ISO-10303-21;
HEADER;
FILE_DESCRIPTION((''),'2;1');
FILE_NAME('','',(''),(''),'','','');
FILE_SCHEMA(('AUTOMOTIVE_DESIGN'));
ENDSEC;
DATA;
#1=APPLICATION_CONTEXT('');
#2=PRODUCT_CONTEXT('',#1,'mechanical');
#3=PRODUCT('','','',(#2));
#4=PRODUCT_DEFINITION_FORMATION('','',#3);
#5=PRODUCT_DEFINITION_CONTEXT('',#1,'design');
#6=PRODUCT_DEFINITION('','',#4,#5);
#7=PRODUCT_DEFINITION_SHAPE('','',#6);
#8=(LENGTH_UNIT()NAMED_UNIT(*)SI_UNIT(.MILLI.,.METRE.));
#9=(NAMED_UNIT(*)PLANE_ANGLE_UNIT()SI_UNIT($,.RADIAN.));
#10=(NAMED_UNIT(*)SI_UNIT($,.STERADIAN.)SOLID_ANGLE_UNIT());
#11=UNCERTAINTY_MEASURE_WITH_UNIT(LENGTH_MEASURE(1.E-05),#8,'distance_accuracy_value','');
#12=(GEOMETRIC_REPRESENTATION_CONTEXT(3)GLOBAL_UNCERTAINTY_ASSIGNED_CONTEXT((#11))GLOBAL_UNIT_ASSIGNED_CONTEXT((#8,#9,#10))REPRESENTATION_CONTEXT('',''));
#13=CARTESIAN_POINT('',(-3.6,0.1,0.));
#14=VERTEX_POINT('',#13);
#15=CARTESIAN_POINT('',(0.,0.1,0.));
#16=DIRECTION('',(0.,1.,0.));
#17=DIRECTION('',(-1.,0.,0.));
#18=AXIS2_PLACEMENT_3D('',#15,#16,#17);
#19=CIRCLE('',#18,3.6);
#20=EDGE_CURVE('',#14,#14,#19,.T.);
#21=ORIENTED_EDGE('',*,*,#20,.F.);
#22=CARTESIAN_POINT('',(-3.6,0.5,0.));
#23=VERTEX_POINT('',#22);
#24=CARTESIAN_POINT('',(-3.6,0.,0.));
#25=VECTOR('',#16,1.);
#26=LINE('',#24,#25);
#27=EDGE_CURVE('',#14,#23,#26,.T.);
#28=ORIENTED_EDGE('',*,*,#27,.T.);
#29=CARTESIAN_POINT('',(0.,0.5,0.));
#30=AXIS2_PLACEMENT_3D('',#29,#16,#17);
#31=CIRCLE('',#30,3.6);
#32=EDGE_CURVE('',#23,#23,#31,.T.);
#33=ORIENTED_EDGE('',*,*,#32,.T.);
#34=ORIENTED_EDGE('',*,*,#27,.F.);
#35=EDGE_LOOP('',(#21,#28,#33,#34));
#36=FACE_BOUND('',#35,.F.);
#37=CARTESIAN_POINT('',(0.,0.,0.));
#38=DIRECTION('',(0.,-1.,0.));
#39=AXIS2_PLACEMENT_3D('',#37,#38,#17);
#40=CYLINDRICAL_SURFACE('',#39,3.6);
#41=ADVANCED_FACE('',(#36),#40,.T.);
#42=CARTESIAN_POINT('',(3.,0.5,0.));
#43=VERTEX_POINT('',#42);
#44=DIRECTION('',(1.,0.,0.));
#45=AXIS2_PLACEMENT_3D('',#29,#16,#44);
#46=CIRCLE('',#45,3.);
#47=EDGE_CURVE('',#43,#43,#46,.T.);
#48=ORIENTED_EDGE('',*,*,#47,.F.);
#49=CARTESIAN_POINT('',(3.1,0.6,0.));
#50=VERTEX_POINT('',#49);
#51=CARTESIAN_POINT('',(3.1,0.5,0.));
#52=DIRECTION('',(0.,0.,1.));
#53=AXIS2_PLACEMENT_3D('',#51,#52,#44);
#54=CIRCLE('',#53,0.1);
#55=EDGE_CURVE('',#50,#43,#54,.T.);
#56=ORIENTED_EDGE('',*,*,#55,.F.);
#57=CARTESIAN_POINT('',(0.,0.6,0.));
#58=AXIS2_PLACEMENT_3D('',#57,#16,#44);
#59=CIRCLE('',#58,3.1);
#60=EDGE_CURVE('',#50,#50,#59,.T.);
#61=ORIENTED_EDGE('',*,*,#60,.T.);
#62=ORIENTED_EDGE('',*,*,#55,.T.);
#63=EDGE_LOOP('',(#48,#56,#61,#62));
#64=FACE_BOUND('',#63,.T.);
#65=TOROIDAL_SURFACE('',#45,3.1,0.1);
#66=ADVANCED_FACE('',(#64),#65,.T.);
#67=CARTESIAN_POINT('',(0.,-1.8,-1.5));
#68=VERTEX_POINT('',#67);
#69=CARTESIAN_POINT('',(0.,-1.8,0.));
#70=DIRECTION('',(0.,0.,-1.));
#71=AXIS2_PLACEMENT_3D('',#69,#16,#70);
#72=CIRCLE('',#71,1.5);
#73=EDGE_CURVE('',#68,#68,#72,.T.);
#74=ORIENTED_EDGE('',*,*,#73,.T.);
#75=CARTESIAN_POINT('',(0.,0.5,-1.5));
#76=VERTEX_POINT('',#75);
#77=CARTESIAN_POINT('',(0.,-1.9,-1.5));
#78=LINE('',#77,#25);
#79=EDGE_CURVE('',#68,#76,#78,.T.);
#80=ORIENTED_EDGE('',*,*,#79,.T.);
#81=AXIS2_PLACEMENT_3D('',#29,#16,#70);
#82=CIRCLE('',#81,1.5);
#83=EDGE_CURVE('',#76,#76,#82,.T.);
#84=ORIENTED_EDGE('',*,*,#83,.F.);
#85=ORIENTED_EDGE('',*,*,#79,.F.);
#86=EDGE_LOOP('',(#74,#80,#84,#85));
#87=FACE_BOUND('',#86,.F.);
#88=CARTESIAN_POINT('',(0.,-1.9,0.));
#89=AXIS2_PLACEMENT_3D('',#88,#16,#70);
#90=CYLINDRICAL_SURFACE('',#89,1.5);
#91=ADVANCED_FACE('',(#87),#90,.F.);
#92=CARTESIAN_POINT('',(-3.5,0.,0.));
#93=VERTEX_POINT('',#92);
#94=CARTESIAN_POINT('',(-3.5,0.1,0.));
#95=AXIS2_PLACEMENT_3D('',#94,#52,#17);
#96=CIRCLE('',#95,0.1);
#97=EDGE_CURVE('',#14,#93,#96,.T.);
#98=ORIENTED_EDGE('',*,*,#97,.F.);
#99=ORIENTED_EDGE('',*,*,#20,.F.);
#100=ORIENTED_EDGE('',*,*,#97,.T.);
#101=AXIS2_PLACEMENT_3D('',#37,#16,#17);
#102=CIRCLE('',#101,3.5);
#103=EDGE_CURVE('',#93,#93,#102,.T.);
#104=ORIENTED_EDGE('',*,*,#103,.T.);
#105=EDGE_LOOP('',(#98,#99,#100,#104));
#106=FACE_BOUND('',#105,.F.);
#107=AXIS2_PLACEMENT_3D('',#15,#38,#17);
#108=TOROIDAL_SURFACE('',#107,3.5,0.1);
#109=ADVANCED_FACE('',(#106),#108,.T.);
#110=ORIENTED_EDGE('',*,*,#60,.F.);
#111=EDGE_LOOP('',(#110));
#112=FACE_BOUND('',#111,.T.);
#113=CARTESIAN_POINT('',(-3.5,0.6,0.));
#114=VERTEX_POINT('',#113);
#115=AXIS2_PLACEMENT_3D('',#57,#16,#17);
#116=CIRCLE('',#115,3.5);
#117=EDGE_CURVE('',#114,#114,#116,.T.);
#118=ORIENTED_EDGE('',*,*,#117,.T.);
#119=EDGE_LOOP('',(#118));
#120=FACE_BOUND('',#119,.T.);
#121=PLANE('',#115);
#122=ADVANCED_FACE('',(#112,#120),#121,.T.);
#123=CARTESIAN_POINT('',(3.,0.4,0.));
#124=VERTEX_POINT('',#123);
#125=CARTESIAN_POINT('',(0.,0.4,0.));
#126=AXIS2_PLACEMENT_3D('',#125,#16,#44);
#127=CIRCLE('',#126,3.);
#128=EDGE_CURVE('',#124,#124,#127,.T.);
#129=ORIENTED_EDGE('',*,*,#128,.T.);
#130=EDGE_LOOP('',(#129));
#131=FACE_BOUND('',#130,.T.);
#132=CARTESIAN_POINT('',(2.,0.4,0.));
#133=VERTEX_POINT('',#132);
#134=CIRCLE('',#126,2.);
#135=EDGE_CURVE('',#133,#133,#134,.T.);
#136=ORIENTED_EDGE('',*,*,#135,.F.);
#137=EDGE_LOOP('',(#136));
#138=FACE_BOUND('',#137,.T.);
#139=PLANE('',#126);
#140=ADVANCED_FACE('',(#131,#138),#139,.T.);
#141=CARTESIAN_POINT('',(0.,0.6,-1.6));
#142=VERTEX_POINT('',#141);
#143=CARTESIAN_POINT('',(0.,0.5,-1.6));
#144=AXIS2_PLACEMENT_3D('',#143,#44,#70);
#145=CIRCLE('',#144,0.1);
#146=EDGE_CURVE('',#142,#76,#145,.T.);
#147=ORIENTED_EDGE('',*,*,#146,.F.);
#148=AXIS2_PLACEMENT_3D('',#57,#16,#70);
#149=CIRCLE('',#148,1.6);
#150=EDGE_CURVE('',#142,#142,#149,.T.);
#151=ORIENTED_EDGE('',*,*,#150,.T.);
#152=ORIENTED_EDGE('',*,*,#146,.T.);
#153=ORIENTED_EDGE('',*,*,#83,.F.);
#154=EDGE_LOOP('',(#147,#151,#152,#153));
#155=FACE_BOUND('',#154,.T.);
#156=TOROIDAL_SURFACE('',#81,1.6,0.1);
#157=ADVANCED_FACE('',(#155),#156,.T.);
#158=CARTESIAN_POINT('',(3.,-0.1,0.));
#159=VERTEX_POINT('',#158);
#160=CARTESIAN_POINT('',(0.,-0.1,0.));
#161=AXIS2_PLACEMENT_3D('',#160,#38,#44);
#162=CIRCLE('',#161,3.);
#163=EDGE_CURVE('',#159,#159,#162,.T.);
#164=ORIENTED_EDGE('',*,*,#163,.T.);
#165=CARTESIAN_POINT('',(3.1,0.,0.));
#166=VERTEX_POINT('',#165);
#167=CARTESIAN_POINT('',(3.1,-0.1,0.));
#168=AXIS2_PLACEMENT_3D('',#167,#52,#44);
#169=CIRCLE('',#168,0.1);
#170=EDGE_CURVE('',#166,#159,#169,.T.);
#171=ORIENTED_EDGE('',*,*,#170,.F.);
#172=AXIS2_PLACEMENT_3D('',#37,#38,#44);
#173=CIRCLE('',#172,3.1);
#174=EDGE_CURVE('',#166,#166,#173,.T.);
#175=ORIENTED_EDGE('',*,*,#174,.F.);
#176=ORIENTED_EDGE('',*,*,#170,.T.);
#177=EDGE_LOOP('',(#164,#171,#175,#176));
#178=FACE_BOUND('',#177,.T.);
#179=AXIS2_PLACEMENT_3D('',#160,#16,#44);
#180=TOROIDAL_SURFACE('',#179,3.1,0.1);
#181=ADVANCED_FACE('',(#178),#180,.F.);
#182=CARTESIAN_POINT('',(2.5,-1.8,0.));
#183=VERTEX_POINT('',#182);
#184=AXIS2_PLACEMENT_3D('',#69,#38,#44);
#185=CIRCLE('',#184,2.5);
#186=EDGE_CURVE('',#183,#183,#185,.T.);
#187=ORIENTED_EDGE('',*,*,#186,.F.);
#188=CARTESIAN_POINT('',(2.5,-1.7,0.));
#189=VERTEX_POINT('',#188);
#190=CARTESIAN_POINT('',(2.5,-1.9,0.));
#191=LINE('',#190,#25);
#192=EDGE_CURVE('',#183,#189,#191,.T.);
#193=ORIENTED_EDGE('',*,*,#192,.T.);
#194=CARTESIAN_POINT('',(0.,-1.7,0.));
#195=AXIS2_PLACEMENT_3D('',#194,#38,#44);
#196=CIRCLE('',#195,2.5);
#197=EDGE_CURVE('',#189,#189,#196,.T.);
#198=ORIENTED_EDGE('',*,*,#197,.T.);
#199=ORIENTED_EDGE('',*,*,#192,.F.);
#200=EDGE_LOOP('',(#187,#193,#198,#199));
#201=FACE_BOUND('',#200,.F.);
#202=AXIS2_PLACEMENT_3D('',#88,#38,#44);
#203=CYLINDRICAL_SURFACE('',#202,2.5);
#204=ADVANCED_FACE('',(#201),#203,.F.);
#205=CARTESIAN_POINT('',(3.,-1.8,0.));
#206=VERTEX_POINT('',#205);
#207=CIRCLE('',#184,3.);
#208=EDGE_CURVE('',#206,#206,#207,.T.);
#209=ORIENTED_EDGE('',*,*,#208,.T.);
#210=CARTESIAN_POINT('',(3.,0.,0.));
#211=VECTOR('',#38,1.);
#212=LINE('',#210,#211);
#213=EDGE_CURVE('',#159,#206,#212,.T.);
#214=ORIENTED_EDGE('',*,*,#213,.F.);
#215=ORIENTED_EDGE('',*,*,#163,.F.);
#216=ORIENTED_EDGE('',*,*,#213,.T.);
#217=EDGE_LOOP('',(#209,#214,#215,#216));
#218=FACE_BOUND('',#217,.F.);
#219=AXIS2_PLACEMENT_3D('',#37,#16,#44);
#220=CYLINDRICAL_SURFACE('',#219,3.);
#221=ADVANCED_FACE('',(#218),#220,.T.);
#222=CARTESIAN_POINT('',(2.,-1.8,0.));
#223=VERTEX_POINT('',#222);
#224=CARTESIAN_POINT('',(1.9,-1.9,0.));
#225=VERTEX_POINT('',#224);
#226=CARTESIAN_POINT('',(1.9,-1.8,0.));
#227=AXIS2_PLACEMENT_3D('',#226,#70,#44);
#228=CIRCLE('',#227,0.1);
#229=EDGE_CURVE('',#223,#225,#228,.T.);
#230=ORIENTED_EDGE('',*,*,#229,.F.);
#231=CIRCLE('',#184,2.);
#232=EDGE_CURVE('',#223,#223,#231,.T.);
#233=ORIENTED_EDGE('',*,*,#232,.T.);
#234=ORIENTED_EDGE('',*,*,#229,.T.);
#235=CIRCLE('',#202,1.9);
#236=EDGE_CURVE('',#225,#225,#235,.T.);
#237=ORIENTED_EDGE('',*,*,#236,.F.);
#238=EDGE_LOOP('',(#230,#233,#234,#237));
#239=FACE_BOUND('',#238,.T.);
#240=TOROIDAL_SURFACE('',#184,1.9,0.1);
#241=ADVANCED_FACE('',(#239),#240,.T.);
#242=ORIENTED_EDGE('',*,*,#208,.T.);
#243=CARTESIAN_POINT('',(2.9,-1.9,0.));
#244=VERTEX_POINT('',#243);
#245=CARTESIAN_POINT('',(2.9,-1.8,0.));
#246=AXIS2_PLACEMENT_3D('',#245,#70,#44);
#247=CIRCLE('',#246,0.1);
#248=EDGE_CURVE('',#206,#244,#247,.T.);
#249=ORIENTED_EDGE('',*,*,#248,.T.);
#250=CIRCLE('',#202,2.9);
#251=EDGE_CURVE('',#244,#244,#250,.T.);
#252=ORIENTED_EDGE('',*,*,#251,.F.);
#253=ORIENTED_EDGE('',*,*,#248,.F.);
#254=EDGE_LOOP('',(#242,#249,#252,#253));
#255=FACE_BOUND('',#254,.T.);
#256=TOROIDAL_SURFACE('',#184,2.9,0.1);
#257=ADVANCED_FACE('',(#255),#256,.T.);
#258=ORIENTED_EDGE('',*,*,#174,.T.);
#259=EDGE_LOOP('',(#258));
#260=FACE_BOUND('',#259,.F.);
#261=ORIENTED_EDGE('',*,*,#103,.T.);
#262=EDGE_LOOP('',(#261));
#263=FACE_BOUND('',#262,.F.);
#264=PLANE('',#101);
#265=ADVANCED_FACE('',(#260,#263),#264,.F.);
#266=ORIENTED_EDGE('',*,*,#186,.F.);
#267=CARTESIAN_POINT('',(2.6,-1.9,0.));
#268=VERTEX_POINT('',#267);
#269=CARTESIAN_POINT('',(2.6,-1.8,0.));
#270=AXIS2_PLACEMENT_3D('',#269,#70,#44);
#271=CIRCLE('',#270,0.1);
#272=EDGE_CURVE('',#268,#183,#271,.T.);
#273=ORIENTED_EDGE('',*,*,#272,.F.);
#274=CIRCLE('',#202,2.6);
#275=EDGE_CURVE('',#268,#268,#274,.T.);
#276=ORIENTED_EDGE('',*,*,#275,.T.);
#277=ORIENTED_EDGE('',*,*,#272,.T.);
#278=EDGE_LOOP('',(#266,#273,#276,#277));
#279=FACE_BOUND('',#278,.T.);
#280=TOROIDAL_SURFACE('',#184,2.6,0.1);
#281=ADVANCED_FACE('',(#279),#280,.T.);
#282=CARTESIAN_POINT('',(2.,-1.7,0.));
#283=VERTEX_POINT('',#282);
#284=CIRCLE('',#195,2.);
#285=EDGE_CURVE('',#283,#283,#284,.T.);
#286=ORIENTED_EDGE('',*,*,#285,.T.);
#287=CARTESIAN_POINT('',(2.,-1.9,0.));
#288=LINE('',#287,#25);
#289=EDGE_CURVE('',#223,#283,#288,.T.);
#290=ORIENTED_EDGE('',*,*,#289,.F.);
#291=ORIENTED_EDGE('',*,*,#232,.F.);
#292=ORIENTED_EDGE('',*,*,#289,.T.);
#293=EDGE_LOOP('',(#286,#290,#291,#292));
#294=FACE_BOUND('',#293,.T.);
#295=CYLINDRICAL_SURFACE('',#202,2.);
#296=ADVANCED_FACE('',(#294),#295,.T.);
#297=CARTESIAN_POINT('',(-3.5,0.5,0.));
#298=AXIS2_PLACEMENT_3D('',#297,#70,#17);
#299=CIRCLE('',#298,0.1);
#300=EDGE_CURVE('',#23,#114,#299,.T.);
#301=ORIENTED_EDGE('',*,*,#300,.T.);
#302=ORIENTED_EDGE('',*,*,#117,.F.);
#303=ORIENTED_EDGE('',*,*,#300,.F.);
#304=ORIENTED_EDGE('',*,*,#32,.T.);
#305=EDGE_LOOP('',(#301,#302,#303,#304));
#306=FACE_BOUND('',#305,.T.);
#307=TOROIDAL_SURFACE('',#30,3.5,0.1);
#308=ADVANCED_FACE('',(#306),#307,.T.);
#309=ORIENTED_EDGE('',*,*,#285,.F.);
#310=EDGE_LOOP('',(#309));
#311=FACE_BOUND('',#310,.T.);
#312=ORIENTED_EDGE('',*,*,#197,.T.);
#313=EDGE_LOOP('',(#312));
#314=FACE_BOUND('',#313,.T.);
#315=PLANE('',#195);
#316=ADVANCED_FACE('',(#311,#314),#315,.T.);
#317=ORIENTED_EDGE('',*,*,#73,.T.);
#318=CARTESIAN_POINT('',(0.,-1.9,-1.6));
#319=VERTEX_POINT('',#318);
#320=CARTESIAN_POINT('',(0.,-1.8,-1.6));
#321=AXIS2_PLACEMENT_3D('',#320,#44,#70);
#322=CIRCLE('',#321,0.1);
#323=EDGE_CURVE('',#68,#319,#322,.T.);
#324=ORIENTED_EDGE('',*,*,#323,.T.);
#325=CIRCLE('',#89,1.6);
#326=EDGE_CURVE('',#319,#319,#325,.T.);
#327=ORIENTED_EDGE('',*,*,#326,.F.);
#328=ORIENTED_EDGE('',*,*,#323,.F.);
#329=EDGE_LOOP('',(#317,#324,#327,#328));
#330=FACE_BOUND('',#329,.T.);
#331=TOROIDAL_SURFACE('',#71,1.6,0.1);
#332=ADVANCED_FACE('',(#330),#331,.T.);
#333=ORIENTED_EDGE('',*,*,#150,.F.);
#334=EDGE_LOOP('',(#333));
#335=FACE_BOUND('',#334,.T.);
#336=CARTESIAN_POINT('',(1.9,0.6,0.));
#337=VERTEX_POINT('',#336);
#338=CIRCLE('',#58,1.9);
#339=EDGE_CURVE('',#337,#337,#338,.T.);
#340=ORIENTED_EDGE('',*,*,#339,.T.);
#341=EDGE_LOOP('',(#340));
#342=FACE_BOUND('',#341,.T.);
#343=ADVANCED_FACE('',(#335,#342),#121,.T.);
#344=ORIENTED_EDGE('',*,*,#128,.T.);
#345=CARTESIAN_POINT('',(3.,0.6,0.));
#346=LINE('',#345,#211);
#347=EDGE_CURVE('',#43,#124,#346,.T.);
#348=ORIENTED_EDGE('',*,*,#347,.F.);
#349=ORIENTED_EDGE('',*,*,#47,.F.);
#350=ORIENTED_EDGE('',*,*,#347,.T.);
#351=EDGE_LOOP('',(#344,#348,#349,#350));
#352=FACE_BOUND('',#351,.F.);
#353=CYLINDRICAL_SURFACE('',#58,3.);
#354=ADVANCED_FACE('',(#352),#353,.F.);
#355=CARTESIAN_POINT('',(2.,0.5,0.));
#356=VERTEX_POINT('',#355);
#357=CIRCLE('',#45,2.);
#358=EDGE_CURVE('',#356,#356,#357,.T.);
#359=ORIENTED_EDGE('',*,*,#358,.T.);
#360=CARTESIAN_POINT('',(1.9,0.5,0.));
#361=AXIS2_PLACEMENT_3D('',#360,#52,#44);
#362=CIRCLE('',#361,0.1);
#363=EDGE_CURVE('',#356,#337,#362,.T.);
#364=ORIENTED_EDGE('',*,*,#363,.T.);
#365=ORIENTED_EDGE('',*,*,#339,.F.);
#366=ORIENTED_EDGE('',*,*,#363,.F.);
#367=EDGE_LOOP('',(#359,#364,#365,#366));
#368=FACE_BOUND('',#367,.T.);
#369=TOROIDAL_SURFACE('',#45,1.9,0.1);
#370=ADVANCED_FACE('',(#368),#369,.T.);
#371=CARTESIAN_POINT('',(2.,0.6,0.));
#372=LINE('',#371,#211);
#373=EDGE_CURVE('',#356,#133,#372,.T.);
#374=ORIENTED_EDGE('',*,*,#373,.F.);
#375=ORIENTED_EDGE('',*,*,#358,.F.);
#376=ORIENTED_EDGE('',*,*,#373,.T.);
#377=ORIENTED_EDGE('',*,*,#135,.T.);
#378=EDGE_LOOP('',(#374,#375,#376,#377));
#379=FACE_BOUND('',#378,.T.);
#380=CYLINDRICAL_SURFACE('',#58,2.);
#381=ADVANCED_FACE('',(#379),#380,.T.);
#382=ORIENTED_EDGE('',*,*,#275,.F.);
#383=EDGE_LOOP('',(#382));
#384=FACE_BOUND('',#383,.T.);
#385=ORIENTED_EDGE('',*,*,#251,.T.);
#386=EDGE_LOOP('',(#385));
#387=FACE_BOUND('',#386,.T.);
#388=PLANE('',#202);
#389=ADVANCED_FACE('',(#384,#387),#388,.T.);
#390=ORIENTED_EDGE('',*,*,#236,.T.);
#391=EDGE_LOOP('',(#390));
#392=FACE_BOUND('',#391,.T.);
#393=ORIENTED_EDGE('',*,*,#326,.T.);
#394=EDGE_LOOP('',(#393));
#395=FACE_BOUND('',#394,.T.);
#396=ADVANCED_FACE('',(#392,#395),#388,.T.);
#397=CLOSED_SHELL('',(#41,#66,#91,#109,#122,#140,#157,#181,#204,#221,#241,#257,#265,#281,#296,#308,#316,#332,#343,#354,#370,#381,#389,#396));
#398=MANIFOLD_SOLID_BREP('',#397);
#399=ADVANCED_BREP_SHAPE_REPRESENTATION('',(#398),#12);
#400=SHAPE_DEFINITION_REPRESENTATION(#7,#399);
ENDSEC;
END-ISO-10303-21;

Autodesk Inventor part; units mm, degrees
ref_plane "YZ Plane" through (0, 0, 0) normal (1, 0, 0) x (0, 1, 0)
ref_plane "XZ Plane" through (0, 0, 0) normal (0, 1, 0) x (-1, 0, 0)
ref_plane "XY Plane" through (0, 0, 0) normal (0, 0, 1) x (1, 0, 0)
sketch "スケッチ1" plane through (0, 0, 0) normal (0, 1, 0) x (-1, 0, 0)
  circle A0 centre (0, 0) radius 3.6
  dimension "d0" = 7.2
extrude "押し出し1" add sketch "スケッチ1" along normal blind 0.6
sketch "スケッチ2" plane through (0, 0, 0) normal (0, -1, 0) x (1, 0, 0)
  circle A0 centre (0, 0) radius 3
  dimension "d3" = 6
extrude "押し出し2" add sketch "スケッチ2" along normal blind 1.9
sketch "スケッチ3" plane through (0, -1.9, 0) normal (0, -1, 0) x (1, 0, 0)
  point P0 (0, 0)
  point P1 (0, 0)
hole "穴1" at (0, -1.9, 0) direction (0, 1, 0) diameter 3 end through all
sketch "スケッチ4" plane through (0, 0.6, 0) normal (0, 1, 0) x (1, 0, 0)
  circle A0 centre (0, 0) radius 2
  circle A1 centre (0, 0) radius 3
  dimension "d13" = 4
  dimension "d14" = 6
extrude "押し出し3" cut sketch "スケッチ4" against normal blind 0.2
sketch "スケッチ5" plane through (0, -1.9, 0) normal (0, -1, 0) x (1, 0, 0)
  circle A0 centre (0, 0) radius 2
  circle A1 centre (0, 0) radius 2.5
  dimension "d18" = 4
  dimension "d19" = 5
extrude "押し出し4" cut sketch "スケッチ5" against normal blind 0.2
fillet "フィレット2" radius 0.1 10 edges at (-3, -1.9, 0) (-2.5, -1.9, 0) (-2, -1.9, 0) (0, -1.9, 1.5) (-3, 0, 0) (3.6, 0, 0) (3.6, 0.6, 0) (-3, 0.6, 0) (-2, 0.6, 0) (0, 0.6, 1.5)
properties part number "Bearing36" material "ステンレス鋼"
